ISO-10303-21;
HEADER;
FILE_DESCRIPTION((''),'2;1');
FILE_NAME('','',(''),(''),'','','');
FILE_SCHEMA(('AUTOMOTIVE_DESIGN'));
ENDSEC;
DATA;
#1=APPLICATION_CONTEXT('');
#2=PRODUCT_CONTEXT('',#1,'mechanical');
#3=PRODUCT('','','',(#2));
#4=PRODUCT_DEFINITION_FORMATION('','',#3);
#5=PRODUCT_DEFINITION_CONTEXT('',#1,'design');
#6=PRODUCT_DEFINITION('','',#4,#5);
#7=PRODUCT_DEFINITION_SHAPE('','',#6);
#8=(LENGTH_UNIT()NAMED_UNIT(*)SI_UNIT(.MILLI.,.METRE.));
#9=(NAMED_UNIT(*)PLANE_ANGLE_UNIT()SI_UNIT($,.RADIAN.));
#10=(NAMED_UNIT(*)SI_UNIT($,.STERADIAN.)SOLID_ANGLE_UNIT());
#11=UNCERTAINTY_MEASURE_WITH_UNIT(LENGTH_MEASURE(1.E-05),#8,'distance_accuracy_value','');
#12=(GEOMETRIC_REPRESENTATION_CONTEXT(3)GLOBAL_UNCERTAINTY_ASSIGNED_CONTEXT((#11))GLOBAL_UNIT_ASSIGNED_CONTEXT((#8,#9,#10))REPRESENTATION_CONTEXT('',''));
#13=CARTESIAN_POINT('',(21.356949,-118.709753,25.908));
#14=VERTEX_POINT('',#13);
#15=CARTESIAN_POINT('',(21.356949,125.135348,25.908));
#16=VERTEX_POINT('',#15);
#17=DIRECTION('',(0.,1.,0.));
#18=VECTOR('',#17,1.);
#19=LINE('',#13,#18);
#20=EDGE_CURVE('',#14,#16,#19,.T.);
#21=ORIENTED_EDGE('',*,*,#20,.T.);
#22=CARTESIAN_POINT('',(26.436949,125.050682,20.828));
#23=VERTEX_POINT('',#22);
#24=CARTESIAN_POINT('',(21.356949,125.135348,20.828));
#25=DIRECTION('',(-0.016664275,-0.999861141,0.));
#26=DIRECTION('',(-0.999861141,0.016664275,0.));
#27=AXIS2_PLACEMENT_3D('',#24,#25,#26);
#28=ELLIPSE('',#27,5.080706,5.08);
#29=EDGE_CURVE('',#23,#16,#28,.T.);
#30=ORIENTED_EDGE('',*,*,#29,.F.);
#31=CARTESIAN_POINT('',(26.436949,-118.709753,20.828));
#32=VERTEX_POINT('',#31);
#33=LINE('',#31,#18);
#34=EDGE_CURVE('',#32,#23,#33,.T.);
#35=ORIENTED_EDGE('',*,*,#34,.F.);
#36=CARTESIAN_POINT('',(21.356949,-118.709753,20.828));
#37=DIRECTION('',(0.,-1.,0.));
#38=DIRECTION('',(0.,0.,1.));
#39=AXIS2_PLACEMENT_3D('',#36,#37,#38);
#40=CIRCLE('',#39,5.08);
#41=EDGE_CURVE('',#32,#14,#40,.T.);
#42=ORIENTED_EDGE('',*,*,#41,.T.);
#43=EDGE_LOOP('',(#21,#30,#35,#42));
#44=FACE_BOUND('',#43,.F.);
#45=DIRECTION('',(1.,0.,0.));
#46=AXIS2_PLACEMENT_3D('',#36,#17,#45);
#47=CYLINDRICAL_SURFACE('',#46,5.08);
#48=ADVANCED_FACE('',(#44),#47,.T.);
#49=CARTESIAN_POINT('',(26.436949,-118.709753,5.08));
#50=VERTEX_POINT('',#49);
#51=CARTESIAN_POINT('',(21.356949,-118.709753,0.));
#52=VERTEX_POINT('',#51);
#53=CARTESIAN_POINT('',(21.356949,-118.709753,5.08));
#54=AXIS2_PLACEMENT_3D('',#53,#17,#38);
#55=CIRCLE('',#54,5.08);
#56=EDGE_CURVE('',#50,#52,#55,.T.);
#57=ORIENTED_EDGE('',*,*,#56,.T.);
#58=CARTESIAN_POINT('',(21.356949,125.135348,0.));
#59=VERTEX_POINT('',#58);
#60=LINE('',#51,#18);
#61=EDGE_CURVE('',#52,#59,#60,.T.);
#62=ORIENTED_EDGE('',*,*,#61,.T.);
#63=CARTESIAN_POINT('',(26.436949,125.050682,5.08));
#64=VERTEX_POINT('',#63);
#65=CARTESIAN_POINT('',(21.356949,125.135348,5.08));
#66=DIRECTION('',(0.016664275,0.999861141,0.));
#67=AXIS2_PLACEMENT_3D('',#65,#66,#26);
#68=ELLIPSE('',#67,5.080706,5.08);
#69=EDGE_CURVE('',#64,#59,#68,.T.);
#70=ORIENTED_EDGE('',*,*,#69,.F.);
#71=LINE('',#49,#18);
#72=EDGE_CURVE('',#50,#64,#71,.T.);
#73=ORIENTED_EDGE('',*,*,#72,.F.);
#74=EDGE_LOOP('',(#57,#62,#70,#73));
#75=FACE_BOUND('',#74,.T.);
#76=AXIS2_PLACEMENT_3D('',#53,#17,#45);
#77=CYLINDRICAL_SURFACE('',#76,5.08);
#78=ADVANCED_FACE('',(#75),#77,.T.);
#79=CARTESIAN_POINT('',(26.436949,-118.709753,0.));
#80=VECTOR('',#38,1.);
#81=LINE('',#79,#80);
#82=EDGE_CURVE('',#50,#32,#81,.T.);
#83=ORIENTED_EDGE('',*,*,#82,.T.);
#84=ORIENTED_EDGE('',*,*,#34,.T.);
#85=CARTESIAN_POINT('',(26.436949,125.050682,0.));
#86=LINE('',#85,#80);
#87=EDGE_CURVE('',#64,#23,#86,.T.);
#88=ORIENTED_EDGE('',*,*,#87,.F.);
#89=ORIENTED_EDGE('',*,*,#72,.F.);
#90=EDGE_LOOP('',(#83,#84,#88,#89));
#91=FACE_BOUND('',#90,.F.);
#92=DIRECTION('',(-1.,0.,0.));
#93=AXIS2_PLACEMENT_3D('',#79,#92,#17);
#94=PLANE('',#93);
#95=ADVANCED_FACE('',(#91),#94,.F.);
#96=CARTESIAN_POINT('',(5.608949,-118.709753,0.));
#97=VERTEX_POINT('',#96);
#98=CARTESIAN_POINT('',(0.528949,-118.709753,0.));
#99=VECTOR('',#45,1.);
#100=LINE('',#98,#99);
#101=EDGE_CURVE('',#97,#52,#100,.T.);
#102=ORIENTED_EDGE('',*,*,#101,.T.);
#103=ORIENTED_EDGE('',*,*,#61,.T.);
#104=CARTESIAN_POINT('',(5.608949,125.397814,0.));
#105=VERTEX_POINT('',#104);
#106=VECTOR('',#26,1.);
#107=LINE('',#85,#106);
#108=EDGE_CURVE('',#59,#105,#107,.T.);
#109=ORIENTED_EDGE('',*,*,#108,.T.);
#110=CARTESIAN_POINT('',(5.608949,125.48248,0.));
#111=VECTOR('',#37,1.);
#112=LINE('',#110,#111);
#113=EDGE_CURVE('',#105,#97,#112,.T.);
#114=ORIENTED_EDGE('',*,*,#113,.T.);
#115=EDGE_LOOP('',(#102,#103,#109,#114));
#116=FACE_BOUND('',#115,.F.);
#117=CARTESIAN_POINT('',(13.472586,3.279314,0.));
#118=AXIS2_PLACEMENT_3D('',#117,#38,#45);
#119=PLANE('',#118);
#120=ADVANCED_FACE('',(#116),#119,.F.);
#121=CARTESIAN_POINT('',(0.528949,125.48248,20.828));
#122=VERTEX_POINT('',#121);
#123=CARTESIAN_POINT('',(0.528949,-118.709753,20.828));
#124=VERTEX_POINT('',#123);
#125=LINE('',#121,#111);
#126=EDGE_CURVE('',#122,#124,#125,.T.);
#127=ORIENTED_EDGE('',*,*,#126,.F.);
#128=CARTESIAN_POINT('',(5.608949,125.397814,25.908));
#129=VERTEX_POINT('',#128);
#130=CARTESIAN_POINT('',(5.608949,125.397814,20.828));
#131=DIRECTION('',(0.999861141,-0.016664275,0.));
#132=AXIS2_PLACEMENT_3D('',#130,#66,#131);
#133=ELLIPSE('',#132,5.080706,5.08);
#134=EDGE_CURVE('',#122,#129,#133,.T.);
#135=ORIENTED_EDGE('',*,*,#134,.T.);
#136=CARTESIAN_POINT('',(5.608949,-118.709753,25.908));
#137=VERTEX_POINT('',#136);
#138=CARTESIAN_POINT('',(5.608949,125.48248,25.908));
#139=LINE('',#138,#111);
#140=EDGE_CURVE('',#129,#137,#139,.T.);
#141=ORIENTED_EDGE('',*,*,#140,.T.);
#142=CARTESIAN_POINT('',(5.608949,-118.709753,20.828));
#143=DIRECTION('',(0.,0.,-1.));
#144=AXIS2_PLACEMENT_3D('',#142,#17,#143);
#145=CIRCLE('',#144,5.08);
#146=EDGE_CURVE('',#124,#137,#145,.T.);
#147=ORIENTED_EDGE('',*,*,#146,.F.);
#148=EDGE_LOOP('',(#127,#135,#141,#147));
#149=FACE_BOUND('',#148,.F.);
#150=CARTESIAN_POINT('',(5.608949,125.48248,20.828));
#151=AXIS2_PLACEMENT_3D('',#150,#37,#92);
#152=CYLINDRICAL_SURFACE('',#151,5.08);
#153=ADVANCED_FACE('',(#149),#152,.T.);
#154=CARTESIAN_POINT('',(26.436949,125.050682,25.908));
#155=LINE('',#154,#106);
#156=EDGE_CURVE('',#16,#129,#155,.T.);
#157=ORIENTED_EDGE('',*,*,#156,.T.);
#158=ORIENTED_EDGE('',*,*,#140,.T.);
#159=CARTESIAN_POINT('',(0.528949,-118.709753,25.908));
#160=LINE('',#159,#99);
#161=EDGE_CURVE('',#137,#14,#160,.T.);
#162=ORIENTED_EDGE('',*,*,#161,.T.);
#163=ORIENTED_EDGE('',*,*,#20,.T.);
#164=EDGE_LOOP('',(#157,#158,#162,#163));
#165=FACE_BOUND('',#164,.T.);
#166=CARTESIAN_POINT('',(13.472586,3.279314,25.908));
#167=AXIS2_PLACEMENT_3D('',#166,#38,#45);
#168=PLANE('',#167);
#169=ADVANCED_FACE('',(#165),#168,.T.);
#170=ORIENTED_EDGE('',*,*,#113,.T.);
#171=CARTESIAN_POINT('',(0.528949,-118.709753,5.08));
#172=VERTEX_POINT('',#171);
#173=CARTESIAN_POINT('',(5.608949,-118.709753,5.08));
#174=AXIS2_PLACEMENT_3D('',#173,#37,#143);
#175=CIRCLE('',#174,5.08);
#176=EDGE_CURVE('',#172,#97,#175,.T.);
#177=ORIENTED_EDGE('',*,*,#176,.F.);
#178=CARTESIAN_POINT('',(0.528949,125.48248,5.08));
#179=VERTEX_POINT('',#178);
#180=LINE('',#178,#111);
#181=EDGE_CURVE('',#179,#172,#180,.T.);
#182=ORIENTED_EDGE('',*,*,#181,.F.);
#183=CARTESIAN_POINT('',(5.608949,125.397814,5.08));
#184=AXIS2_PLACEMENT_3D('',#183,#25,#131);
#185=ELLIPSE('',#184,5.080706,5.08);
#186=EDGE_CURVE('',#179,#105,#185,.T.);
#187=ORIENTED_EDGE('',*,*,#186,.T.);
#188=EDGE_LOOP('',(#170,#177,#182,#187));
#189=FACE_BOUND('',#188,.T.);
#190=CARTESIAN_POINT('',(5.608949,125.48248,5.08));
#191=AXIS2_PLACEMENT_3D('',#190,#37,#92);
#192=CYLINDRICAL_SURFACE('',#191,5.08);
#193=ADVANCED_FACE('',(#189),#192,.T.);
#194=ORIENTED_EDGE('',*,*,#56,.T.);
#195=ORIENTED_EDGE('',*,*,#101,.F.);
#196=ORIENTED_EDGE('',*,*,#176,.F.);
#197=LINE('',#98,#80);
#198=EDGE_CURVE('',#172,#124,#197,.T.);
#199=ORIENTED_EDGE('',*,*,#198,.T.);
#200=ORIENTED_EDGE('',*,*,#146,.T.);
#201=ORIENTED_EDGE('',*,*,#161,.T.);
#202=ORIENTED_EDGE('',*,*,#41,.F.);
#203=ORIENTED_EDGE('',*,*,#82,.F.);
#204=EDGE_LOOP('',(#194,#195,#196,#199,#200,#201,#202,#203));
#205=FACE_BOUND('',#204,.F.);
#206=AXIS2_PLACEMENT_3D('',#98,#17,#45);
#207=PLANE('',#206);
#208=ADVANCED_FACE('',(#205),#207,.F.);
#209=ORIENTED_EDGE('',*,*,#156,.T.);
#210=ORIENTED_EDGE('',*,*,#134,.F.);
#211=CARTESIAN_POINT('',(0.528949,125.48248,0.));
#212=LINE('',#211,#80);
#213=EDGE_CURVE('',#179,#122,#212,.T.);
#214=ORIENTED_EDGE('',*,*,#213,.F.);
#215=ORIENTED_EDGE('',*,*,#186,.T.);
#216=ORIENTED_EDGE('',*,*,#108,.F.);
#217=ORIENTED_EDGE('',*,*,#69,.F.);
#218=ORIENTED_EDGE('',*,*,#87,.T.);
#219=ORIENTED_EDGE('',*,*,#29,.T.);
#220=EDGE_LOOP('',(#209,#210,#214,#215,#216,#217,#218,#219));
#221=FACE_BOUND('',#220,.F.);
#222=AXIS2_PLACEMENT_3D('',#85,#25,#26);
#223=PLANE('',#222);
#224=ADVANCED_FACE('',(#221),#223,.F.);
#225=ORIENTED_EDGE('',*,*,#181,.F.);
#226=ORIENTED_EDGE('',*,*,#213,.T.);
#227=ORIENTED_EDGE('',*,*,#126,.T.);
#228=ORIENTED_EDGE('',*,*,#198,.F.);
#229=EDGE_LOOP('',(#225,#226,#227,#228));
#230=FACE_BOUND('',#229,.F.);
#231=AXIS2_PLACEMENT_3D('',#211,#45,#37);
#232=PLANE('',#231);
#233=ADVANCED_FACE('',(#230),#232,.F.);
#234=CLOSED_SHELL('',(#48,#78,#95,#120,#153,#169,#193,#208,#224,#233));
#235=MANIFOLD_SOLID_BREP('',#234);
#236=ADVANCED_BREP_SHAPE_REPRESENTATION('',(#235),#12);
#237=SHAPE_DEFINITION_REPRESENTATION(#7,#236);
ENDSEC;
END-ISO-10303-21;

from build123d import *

# Parameters (mm, degrees)
F1_DEPTH = 25.908
F2_R     = 5.08


with BuildPart() as f1:
    # F0 (on Top) → F1 (new body)
    with BuildSketch(Plane.XY):
        Polygon((26.436949, -118.709753), (26.436949, 125.050682), (0.528949, 125.48248), (0.528949, -118.709753), align=None)
    extrude(amount=F1_DEPTH)

    # F2
    f2_edges = [f1.edges().sort_by_distance(p)[0] for p in [
        (0.528949, 3.386364, 25.908),
        (26.436949, 3.170464, 25.908),
        (0.528949, 3.386364, 0),
        (26.436949, 3.170464, 0),
    ]]
    fillet(f2_edges, radius=F2_R)


solid = f1.part
